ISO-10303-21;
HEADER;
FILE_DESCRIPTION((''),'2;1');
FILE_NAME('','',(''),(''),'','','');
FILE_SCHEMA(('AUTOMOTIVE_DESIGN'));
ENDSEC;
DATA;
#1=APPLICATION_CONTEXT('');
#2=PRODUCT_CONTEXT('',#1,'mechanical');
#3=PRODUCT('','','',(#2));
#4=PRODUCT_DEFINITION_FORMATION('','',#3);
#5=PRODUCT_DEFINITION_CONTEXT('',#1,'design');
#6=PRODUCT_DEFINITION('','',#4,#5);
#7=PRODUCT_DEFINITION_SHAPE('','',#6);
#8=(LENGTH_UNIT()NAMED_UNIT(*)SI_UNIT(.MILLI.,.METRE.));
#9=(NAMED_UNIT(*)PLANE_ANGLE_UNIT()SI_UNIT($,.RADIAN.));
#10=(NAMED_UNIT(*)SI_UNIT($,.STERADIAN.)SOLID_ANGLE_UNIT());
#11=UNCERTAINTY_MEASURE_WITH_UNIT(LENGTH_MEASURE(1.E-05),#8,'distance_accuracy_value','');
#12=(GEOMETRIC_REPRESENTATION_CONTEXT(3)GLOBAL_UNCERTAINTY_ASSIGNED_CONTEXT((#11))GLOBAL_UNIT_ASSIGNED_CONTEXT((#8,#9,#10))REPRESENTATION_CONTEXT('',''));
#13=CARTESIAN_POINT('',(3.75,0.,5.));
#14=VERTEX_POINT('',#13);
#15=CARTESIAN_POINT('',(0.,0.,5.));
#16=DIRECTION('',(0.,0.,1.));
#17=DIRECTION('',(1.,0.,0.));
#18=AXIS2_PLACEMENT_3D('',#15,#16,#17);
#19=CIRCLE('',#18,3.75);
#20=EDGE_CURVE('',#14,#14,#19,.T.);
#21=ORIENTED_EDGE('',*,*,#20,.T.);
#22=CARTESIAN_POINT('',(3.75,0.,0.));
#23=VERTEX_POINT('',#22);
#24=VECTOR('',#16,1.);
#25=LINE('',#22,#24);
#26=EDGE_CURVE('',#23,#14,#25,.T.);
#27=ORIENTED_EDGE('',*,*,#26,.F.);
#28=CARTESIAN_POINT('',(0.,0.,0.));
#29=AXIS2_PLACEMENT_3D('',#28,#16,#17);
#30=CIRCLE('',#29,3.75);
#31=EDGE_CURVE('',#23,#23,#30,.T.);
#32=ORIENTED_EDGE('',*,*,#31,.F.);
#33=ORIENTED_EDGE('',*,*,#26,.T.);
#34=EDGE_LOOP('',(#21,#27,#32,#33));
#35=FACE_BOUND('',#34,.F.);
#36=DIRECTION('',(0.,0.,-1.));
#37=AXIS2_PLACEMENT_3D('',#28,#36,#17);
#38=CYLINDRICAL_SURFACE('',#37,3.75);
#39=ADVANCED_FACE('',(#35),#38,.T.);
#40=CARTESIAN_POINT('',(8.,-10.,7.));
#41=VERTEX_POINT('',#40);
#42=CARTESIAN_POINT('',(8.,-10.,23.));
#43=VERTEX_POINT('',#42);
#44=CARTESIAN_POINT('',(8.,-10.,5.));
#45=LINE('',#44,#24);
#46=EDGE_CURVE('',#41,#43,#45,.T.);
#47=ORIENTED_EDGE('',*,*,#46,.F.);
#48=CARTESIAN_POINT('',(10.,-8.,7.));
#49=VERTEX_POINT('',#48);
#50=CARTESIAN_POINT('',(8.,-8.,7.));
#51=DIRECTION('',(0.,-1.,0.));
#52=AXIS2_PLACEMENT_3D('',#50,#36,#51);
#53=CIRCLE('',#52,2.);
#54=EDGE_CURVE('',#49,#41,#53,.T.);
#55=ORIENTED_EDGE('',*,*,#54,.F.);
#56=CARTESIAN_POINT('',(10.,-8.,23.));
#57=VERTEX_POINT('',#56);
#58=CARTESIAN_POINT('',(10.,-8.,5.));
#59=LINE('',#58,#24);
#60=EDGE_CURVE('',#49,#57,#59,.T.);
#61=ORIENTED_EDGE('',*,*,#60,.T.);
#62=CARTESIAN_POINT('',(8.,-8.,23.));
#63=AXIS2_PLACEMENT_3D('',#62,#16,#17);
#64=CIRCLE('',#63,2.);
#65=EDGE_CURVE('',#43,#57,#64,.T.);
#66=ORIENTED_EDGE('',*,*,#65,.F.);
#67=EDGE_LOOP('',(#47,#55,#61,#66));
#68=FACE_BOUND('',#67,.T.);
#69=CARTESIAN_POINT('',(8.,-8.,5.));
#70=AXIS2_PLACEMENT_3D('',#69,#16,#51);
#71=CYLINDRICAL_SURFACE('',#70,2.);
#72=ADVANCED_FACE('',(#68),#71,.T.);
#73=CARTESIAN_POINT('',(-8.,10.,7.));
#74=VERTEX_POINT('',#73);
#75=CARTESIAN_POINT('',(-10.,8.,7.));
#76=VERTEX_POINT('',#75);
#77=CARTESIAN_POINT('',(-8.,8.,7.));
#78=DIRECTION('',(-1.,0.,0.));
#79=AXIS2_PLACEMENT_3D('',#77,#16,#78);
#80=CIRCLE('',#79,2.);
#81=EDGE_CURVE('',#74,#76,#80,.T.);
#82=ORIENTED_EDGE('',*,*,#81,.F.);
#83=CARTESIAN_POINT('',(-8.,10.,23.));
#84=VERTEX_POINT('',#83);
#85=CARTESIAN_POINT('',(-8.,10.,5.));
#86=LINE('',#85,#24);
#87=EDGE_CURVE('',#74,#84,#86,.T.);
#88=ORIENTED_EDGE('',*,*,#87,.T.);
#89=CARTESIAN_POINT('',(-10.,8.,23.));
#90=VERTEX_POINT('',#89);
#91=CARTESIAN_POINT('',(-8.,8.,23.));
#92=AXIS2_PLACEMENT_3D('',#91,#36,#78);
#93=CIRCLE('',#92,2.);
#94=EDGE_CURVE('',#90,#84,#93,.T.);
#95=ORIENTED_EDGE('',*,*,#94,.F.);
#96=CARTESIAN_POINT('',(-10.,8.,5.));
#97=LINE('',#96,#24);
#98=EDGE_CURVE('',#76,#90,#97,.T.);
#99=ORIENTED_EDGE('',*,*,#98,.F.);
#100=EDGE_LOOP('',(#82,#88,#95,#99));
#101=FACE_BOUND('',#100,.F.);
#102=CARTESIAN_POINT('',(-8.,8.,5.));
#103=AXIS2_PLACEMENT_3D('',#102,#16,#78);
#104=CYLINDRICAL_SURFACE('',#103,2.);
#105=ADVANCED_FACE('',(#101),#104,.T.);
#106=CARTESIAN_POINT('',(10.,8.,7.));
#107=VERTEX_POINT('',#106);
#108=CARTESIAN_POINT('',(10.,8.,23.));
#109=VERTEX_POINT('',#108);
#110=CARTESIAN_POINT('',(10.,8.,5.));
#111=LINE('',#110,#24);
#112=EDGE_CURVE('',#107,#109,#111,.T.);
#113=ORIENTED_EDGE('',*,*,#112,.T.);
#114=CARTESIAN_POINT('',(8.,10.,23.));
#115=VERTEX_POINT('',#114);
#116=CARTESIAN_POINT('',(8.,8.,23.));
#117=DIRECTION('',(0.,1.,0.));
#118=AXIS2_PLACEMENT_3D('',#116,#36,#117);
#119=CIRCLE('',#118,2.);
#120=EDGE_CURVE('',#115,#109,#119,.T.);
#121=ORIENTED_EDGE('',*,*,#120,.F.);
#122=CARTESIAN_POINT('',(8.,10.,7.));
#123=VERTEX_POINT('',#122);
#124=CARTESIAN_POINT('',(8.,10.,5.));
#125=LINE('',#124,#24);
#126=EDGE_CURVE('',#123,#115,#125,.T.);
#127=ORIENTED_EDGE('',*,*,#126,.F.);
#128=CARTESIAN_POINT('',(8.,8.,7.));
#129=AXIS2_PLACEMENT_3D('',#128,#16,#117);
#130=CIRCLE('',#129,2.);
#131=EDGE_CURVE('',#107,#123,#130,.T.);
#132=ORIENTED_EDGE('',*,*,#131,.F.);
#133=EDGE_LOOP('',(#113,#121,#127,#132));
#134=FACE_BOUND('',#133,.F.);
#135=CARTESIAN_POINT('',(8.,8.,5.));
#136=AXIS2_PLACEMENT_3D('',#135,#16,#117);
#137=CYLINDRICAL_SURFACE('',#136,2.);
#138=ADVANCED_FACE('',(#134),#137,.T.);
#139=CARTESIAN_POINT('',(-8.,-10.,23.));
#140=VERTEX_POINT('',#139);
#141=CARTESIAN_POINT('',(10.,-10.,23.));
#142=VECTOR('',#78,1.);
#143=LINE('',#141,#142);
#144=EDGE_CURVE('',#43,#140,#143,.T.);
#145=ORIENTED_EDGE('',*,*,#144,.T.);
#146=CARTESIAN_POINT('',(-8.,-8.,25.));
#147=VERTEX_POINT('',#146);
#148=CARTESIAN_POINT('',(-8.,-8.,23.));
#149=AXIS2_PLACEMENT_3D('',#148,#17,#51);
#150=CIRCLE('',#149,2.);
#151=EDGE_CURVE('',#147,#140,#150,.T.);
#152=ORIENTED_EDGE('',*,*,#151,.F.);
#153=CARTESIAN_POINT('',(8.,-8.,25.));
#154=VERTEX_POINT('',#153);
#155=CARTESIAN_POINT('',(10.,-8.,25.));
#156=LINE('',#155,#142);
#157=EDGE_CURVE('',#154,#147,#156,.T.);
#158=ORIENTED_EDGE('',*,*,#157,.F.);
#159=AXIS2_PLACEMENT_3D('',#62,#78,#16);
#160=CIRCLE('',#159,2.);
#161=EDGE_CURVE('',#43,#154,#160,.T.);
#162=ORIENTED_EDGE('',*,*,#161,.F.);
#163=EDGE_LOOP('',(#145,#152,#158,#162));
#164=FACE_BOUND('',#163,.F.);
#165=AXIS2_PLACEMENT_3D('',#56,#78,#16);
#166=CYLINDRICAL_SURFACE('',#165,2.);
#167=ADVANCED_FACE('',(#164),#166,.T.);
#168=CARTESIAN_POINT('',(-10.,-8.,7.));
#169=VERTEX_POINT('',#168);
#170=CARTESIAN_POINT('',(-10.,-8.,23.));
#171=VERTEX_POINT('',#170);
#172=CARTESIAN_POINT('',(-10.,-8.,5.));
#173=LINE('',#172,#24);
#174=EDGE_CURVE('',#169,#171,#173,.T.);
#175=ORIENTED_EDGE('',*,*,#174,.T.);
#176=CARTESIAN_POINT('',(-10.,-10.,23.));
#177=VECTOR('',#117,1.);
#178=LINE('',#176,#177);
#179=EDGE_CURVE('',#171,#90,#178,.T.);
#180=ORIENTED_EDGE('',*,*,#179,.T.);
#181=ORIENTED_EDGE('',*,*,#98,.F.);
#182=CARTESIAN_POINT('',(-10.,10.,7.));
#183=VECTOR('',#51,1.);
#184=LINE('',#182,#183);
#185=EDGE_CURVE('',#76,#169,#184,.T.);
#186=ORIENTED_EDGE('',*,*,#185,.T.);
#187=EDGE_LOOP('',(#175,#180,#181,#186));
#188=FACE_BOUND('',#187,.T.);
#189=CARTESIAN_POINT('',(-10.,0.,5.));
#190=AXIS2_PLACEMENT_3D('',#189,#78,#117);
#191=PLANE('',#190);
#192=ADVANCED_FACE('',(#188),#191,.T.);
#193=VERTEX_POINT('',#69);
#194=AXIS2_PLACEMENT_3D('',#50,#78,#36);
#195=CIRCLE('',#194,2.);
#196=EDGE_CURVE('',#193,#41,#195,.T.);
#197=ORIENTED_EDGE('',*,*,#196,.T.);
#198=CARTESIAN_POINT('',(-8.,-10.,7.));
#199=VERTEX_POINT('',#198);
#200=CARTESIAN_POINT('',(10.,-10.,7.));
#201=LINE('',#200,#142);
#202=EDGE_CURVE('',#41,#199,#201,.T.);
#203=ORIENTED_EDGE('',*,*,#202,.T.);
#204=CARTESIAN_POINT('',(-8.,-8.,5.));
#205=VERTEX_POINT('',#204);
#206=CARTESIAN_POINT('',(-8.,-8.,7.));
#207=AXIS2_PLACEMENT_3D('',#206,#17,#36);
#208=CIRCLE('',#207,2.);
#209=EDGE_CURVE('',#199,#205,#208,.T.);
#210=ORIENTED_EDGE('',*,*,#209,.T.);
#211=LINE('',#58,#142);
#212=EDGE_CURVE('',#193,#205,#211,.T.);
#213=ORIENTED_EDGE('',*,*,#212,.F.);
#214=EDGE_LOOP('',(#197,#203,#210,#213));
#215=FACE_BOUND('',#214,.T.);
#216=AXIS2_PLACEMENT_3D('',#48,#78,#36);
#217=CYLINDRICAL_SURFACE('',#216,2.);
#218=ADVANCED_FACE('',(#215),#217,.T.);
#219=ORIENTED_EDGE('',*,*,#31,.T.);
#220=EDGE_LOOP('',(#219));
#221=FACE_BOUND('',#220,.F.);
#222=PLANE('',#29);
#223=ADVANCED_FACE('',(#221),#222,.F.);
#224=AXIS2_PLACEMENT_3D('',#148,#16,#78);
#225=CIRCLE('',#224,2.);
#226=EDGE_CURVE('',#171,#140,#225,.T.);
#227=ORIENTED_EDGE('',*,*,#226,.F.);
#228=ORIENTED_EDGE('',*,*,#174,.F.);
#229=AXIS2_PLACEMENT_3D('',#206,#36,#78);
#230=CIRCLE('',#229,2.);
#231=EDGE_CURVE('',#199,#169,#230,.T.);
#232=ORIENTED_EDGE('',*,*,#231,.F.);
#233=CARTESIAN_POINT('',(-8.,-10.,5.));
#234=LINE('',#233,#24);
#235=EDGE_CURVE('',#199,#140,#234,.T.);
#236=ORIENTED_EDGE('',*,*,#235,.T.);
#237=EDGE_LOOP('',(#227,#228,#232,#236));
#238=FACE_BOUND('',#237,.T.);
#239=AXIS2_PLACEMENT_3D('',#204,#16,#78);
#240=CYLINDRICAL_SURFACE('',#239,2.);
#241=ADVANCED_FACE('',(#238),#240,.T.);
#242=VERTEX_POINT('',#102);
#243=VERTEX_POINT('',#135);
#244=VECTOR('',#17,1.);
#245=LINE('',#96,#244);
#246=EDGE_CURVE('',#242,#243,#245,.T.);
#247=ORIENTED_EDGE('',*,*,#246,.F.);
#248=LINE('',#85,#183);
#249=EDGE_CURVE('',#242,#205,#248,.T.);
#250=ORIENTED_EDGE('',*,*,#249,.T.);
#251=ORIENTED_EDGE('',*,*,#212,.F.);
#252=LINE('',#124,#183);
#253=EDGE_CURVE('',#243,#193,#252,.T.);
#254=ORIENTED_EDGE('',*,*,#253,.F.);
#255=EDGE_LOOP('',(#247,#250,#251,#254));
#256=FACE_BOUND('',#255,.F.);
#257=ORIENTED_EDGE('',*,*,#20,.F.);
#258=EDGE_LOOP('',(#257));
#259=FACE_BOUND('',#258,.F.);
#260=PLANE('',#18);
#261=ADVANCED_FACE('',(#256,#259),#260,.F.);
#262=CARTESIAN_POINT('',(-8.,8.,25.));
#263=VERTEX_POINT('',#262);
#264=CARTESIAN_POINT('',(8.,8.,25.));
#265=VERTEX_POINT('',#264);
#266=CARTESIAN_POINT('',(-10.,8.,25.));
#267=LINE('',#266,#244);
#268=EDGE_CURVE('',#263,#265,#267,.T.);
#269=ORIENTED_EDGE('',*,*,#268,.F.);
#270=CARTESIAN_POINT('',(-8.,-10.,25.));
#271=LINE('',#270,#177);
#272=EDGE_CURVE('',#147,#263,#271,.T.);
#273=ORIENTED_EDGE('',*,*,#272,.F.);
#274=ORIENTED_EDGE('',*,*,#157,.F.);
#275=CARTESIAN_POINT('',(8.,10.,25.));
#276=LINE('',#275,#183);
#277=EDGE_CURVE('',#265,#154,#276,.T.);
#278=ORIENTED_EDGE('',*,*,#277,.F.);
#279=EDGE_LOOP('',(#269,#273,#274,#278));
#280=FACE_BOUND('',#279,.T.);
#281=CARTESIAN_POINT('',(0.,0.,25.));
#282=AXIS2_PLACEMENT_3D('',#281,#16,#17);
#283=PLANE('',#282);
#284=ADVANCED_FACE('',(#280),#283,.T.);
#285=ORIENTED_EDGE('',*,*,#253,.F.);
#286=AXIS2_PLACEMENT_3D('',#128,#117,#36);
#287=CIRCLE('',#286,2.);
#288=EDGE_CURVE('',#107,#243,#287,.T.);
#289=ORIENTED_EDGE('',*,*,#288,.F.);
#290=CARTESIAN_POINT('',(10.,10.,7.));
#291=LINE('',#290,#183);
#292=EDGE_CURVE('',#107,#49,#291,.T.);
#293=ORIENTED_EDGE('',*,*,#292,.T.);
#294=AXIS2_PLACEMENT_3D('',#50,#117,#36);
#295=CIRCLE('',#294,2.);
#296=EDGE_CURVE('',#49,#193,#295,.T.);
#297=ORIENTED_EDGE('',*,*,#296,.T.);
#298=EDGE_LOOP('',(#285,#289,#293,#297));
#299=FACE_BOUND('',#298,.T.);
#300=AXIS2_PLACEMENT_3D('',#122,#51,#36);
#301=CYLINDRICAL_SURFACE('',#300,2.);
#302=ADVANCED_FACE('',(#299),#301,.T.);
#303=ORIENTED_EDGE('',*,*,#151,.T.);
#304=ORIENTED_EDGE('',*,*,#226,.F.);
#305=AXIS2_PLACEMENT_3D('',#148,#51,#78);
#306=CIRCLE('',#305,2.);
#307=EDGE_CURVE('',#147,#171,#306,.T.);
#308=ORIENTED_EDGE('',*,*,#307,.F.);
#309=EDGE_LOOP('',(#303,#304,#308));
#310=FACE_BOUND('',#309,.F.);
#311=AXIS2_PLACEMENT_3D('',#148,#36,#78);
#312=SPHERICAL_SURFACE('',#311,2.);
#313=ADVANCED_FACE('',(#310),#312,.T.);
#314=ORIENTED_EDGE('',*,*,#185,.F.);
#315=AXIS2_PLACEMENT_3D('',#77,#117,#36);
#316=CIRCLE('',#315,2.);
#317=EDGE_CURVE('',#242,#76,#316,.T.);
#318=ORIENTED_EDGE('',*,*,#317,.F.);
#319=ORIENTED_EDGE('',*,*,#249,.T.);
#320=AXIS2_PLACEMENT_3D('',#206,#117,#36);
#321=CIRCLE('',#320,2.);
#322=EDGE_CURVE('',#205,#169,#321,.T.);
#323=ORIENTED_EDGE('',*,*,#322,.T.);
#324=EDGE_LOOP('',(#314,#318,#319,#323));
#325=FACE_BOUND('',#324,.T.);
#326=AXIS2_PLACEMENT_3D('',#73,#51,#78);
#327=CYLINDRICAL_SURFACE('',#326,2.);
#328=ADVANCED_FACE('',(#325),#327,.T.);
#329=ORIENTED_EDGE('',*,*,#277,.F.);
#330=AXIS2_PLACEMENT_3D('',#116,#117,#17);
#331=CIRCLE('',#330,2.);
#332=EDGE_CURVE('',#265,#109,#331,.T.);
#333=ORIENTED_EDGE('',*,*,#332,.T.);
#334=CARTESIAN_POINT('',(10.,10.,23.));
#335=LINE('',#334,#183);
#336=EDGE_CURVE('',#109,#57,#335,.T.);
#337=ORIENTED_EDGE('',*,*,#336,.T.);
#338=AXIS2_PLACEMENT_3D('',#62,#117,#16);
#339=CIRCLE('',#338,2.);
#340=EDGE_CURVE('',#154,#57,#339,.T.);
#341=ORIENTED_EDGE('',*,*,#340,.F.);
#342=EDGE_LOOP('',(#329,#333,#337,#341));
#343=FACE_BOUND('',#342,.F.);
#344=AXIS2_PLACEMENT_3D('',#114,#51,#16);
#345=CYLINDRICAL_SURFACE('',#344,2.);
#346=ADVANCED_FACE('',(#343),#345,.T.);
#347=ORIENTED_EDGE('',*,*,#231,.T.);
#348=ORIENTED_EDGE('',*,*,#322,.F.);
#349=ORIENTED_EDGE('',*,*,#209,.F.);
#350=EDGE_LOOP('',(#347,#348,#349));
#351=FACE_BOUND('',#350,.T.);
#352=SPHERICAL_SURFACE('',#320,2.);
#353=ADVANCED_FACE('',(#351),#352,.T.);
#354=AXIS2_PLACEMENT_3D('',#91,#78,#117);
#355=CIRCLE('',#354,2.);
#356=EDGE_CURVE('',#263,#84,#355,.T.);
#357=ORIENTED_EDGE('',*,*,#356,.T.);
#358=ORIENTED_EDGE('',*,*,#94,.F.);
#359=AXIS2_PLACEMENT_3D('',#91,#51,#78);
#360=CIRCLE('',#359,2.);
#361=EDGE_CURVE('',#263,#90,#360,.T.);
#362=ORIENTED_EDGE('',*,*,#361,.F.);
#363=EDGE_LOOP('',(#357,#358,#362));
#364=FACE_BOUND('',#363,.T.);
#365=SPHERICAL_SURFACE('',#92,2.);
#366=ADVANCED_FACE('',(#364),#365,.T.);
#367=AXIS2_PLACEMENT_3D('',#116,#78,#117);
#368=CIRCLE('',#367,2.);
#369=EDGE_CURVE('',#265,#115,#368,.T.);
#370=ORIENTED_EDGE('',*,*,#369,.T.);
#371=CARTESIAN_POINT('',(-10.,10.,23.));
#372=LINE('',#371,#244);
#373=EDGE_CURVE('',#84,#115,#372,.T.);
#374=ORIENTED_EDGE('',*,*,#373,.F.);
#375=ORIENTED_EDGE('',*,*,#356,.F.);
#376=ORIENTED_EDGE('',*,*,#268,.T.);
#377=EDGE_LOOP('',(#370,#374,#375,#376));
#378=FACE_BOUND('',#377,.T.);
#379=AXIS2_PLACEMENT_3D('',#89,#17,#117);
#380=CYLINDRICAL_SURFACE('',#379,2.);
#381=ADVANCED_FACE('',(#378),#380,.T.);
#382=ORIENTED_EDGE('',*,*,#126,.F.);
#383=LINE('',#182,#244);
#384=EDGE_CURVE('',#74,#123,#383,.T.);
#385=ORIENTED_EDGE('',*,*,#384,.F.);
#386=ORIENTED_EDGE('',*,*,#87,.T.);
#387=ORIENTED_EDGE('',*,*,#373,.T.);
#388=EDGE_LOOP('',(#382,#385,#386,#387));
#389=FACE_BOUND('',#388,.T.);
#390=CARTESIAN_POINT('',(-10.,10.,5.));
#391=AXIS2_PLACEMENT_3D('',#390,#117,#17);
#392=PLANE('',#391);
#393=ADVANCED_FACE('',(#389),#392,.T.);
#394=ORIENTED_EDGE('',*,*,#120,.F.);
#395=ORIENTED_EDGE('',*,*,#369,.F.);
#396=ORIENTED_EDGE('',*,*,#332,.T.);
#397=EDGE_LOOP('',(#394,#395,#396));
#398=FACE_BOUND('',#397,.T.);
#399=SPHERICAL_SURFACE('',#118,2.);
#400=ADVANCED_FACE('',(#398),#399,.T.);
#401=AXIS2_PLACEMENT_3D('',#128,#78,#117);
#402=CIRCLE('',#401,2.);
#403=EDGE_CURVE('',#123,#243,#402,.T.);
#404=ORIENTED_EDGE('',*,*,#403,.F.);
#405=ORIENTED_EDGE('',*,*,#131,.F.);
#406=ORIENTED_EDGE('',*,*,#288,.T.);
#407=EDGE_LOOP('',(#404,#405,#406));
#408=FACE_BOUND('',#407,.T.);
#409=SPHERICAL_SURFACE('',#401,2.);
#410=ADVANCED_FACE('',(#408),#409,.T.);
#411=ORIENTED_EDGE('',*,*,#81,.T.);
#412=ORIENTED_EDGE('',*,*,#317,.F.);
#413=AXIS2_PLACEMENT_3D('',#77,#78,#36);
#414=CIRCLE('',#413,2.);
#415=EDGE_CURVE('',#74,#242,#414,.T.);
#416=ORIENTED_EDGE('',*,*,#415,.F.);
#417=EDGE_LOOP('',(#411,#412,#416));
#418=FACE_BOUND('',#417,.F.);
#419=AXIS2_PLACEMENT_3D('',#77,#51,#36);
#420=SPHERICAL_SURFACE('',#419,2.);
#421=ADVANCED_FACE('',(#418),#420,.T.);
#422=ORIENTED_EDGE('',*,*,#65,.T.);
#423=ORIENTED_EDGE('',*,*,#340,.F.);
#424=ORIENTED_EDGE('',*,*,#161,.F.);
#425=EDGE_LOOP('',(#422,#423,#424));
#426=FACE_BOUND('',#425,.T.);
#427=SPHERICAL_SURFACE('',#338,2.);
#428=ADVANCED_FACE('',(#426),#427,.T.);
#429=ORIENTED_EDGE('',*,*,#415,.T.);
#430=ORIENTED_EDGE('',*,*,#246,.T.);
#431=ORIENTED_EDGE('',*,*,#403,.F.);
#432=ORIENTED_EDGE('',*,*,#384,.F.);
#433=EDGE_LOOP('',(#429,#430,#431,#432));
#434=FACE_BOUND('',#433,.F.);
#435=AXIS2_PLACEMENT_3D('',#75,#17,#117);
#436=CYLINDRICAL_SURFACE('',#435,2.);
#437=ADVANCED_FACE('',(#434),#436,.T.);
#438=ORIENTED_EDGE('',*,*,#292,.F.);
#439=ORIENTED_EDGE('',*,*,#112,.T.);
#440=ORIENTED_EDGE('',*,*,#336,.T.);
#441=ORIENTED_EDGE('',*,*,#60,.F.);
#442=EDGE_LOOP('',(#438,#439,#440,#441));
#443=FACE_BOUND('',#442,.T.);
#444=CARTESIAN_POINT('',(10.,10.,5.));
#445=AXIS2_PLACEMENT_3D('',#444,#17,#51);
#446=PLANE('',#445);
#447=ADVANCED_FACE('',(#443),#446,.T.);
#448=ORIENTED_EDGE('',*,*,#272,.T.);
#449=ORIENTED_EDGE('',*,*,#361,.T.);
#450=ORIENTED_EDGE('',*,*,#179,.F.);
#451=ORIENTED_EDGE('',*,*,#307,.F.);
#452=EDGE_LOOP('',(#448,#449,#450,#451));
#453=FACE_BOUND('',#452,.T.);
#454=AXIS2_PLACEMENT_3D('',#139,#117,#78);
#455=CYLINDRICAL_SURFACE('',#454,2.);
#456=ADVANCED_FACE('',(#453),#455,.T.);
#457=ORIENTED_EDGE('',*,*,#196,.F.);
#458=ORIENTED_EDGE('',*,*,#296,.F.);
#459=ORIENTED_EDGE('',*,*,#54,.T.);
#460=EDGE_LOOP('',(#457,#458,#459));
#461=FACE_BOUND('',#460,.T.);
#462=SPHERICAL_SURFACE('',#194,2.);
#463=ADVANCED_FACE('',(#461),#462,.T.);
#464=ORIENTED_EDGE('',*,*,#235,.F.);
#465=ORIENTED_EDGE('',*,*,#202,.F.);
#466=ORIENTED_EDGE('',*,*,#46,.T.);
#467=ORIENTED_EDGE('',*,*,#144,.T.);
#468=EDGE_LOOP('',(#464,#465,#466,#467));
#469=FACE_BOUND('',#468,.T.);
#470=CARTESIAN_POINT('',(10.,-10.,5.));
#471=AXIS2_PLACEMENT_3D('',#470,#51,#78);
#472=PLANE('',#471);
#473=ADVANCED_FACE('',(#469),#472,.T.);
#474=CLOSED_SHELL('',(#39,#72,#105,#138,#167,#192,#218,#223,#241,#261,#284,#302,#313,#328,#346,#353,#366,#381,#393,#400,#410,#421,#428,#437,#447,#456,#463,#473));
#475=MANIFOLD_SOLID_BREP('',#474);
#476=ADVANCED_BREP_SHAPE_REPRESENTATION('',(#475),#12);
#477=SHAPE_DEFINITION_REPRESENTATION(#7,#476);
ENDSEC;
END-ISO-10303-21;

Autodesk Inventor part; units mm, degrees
ref_plane "YZ Plane" through (0, 0, 0) normal (1, 0, 0) x (0, 1, 0)
ref_plane "XZ Plane" through (0, 0, 0) normal (0, 1, 0) x (-1, 0, 0)
ref_plane "XY Plane" through (0, 0, 0) normal (0, 0, 1) x (1, 0, 0)
sketch "Sketch5" plane through (0, 0, 0) normal (0, 0, 1) x (1, 0, 0)
  circle A0 centre (0, 0) radius 3.75
  dimension "d11" = 7.5
extrude "Extrusion4" add sketch "Sketch5" along normal blind 5
sketch "Sketch6" plane through (0, 0, 5) normal (0, 0, 1) x (1, 0, 0)
  line L0 (0, 0) -> (-10, 0)
  line L1 (-10, 0) -> (-10, 10)
  line L2 (-10, 10) -> (10, 10)
  line L3 (10, 10) -> (10, -10)
  line L4 (10, -10) -> (-10, -10)
  line L5 (-10, -10) -> (-10, 0)
  dimension "d19" = 10
  dimension "d20" = 10
  dimension "d21" = 20
  dimension "d22" = 20
  dimension "d23" = 20
extrude "Extrusion5" add sketch "Sketch6" along normal blind 20
fillet "Fillet1" radius 2 12 edges at (-10, 0, 5) (0, -10, 5) (-10, -10, 15) (0, 10, 5) (10, 10, 15) (10, 0, 5) (-10, 10, 15) (-10, 0, 25) (0, 10, 25) (10, 0, 25) (0, -10, 25) (10, -10, 15)
properties part number "Holder"
